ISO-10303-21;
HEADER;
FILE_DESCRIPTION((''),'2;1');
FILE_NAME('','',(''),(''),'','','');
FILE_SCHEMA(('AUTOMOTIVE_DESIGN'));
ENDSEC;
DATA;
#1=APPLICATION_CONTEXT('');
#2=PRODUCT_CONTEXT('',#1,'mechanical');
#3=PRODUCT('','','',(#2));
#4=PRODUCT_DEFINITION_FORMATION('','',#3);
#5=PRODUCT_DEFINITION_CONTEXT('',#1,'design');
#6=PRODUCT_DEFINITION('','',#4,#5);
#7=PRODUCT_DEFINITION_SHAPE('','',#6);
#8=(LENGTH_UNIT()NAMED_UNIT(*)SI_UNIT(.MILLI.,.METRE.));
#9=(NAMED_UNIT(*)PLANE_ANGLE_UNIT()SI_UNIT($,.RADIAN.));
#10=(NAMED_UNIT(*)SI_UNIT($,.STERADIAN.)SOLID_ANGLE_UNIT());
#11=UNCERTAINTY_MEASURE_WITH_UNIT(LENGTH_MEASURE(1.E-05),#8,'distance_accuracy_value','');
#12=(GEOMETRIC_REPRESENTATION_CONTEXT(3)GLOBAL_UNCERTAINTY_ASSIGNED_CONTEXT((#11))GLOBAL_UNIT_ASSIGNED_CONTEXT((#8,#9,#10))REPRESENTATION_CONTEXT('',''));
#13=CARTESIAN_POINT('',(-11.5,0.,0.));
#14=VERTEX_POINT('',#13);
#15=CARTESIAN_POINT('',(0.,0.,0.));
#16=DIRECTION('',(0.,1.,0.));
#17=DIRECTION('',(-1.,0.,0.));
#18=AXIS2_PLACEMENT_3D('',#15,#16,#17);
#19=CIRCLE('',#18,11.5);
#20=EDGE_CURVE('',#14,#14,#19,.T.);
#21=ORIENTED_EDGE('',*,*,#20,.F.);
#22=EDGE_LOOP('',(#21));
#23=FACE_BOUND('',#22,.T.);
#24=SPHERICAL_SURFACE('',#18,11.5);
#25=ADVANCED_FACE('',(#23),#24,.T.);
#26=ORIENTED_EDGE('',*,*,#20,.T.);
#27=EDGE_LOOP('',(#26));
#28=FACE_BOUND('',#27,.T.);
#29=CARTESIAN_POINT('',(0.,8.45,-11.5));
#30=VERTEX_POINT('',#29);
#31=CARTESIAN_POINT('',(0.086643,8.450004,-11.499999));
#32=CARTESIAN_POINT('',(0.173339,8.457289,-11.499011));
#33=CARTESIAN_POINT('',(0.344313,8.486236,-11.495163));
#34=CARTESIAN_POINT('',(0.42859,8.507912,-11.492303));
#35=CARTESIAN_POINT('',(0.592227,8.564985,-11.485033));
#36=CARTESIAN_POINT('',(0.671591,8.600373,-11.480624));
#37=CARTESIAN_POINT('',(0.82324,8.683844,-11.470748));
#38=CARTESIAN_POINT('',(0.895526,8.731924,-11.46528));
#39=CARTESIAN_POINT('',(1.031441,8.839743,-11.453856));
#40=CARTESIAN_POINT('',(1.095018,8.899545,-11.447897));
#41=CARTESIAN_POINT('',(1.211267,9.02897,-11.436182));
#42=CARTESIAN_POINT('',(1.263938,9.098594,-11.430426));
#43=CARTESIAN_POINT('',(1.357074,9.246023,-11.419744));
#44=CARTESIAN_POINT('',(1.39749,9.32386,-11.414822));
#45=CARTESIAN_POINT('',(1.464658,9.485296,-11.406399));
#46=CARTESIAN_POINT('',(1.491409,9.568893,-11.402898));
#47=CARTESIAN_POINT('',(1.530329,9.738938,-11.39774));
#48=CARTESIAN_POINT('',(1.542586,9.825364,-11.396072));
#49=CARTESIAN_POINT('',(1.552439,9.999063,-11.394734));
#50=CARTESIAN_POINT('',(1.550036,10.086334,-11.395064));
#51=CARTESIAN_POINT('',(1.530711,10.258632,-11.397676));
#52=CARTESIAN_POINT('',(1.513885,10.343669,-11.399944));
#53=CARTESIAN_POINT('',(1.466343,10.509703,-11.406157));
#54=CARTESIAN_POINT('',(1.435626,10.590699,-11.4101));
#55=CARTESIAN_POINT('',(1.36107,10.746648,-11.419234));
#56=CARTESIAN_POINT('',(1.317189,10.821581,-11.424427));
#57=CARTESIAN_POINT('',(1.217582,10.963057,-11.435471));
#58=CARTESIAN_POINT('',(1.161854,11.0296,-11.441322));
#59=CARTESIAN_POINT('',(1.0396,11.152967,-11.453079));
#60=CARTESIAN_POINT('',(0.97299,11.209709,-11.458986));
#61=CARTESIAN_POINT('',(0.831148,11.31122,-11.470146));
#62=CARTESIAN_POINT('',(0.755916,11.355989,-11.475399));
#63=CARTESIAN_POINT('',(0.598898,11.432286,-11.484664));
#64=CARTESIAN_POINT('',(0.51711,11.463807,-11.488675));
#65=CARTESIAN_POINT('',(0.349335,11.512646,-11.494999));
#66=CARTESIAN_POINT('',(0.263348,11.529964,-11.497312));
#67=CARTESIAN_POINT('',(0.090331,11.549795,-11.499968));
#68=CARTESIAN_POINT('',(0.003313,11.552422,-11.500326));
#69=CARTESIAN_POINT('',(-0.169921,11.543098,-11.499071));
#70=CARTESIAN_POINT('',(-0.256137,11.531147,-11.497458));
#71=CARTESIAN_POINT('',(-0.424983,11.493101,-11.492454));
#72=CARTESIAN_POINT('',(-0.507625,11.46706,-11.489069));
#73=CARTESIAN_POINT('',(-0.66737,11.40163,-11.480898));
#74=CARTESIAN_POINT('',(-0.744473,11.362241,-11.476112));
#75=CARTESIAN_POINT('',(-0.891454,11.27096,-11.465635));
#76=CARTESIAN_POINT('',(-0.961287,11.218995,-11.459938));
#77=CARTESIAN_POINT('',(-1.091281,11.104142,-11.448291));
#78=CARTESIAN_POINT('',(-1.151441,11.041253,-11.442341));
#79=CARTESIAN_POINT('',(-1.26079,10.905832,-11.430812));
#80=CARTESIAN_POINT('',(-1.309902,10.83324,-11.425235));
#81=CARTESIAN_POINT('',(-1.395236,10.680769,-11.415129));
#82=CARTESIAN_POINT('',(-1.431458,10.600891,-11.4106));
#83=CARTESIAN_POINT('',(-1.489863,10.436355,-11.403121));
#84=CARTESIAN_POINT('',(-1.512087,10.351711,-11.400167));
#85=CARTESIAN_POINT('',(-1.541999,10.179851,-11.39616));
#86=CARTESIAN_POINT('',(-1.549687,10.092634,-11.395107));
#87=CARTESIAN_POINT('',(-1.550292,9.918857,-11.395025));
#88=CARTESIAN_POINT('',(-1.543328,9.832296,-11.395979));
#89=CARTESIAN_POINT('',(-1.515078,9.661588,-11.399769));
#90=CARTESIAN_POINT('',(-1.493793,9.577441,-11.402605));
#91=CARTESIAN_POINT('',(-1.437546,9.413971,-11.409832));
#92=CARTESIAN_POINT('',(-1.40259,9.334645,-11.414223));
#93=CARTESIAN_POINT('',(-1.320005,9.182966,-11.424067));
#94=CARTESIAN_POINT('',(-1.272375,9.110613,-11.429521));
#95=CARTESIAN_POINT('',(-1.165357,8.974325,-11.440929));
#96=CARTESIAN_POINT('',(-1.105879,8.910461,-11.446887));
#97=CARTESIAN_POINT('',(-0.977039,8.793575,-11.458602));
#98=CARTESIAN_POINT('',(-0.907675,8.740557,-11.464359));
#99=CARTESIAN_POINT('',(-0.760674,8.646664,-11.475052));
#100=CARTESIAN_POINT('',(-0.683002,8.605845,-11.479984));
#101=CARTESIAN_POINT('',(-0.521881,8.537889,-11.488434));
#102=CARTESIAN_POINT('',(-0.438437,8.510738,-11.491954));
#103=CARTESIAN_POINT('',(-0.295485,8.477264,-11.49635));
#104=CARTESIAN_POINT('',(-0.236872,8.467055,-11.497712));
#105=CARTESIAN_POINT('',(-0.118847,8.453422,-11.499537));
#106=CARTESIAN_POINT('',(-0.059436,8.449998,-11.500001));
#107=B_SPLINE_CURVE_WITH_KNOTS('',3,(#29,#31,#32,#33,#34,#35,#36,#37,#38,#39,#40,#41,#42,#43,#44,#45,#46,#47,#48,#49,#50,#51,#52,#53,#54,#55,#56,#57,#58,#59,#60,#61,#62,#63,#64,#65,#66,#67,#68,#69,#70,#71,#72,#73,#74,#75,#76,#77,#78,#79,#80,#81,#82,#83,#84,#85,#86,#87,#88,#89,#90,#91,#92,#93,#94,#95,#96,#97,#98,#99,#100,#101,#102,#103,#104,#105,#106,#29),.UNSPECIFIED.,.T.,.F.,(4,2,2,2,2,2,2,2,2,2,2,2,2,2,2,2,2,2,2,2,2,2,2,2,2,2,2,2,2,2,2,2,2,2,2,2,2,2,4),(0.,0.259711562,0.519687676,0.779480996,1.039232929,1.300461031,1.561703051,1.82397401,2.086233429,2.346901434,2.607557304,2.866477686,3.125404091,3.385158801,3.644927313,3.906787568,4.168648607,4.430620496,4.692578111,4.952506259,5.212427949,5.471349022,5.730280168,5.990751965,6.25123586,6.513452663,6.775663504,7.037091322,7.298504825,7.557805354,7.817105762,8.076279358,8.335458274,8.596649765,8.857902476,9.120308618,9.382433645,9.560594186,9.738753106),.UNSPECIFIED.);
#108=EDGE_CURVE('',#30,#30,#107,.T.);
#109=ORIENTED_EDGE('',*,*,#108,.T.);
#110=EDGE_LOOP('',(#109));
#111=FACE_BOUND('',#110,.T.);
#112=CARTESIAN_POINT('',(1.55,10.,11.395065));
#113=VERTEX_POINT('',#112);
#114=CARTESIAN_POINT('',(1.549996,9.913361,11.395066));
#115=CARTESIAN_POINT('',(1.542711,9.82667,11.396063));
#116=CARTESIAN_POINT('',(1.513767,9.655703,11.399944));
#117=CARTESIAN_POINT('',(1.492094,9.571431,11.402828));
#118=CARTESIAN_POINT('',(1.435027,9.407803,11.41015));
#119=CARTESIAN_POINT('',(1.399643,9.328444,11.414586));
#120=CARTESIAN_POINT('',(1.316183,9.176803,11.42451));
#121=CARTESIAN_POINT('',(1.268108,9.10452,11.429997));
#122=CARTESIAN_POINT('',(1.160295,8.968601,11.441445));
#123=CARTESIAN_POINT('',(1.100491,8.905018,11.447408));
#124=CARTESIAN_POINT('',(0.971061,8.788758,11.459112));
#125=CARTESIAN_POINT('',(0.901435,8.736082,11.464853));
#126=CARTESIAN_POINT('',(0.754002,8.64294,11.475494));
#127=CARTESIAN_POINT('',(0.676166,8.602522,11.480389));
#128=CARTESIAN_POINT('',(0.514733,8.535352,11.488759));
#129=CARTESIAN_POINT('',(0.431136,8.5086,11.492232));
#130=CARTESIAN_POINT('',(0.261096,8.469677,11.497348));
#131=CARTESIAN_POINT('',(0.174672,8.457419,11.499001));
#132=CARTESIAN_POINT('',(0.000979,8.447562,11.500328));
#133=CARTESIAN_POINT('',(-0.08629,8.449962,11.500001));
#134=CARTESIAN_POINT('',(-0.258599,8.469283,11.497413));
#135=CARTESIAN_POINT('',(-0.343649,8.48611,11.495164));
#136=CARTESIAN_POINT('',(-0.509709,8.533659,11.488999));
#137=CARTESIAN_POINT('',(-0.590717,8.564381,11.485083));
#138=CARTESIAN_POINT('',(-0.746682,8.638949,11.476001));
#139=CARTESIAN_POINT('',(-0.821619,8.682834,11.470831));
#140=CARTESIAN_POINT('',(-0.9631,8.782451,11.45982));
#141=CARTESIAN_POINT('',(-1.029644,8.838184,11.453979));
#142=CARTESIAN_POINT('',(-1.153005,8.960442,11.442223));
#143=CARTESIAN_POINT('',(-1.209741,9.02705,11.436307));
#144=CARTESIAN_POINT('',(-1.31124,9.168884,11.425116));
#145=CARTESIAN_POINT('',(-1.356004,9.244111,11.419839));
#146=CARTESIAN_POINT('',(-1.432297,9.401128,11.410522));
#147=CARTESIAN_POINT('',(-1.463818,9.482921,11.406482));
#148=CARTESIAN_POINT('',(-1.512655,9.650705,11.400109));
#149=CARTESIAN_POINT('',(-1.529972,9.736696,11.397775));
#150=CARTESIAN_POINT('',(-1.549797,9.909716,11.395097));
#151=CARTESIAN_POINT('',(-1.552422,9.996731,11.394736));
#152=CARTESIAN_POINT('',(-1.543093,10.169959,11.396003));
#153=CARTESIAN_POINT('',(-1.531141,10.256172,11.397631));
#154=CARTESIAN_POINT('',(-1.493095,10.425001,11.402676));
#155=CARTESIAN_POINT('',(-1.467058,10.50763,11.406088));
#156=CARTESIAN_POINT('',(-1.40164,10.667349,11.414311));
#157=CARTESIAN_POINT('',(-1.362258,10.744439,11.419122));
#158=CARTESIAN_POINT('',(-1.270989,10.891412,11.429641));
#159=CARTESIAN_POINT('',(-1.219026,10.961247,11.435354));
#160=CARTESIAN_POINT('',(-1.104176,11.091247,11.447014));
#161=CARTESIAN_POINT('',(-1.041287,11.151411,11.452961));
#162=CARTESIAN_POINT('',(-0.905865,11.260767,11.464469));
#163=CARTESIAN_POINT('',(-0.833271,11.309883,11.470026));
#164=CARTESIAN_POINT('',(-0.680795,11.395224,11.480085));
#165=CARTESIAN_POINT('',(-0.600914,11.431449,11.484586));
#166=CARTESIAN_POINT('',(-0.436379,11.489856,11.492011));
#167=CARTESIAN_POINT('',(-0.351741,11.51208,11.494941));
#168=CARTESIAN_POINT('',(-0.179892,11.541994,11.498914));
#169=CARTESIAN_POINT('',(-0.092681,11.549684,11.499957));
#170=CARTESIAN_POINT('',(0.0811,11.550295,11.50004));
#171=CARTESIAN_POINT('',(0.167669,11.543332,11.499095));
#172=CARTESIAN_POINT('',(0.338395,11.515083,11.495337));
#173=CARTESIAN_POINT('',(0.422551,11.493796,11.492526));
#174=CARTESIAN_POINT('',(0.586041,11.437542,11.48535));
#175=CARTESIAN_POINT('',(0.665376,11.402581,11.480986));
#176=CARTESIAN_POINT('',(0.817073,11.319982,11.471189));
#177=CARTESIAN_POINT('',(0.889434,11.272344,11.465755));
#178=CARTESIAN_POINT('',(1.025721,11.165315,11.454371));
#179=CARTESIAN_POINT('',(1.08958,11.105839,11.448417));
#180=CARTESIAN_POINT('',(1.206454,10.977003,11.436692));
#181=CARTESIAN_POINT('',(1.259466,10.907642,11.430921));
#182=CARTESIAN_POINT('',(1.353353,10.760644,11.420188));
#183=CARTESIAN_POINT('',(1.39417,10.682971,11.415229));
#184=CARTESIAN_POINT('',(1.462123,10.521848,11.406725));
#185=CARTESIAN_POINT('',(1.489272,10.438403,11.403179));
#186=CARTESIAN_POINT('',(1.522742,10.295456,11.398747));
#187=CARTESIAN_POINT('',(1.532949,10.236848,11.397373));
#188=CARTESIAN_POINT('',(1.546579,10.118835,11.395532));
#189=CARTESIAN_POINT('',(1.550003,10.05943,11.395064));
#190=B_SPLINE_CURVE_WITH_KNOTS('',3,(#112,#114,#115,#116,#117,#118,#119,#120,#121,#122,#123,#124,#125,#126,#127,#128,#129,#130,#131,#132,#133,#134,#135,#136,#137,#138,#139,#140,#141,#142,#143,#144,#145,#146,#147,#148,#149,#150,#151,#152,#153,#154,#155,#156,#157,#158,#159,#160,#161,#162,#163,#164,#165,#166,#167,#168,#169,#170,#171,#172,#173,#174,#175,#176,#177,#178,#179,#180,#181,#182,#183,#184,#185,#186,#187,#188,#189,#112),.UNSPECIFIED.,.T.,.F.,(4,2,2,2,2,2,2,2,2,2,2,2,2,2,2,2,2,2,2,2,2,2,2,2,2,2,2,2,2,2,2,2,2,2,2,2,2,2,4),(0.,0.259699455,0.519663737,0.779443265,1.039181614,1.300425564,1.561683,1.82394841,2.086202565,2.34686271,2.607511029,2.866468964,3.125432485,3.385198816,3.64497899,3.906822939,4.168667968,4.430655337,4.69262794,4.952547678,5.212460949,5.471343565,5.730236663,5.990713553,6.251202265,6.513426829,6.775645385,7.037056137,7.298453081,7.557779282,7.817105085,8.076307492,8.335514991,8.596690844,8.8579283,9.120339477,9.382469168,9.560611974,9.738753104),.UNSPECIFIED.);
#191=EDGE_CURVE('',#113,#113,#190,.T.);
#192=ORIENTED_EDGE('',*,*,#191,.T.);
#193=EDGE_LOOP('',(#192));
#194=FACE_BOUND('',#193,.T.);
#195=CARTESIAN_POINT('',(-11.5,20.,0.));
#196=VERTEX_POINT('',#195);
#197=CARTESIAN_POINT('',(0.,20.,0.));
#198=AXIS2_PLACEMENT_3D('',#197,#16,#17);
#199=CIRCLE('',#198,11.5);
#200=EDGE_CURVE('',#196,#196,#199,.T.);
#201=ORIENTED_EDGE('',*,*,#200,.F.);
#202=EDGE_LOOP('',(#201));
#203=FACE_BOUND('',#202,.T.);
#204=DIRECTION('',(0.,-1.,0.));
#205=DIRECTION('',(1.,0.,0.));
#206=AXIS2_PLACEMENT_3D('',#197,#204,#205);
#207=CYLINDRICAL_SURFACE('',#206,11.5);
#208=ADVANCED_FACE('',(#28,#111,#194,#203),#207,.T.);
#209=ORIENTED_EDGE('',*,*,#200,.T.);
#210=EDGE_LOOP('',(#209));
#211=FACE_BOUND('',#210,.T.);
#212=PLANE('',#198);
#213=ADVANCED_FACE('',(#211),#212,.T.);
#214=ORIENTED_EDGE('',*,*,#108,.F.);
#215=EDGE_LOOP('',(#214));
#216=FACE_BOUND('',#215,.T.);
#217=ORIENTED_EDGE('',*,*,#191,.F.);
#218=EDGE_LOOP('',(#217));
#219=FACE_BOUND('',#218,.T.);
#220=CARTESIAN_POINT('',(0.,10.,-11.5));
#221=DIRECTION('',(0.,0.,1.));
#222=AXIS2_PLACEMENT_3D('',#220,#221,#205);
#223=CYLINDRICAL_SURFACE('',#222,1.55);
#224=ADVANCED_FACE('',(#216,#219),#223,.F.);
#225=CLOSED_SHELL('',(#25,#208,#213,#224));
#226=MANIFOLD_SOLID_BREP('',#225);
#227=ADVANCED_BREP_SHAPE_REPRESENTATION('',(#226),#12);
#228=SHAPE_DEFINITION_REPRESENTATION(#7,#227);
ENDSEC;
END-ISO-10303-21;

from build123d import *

# Parameters (mm, degrees)
REVOLVE1_ANGLE      = 180
SKETCH4_R           = 11.5
BOSS_EXTRUDE1_DEPTH = 20
SKETCH5_R           = 1.55
CUT_EXTRUDE1_DEPTH  = 11.5


with BuildPart() as part:
    # Sketch1 → Revolve1 (revolve)
    with BuildSketch(Plane(origin=(0, 0, 0), x_dir=(1, 0, 0), z_dir=(0, 1, 0))):
        with BuildLine():
            Line((0, 11.5), (0, -11.5))
            ThreePointArc((0, -11.5), (-11.5, 0), (0, 11.5))
        make_face()
    revolve(axis=Axis((0, 0, -22.021429017), (0, 0, 1)), revolution_arc=REVOLVE1_ANGLE)

    # Sketch4 → Boss-Extrude1 (add)
    with BuildSketch(Plane(origin=(0, 0, 0), x_dir=(1, 0, 0), z_dir=(0, 1, 0))):
        with Locations(Location((0, 0, 0), (0, 0, 180))):
            Circle(SKETCH4_R)
    extrude(amount=BOSS_EXTRUDE1_DEPTH)

    # Sketch5 → Cut-Extrude1 (cut, symmetric)
    with BuildSketch(Plane.XY):
        with Locations((0, 10)):
            Circle(SKETCH5_R)
    extrude(amount=CUT_EXTRUDE1_DEPTH, both=True, mode=Mode.SUBTRACT)


solid = part.part
